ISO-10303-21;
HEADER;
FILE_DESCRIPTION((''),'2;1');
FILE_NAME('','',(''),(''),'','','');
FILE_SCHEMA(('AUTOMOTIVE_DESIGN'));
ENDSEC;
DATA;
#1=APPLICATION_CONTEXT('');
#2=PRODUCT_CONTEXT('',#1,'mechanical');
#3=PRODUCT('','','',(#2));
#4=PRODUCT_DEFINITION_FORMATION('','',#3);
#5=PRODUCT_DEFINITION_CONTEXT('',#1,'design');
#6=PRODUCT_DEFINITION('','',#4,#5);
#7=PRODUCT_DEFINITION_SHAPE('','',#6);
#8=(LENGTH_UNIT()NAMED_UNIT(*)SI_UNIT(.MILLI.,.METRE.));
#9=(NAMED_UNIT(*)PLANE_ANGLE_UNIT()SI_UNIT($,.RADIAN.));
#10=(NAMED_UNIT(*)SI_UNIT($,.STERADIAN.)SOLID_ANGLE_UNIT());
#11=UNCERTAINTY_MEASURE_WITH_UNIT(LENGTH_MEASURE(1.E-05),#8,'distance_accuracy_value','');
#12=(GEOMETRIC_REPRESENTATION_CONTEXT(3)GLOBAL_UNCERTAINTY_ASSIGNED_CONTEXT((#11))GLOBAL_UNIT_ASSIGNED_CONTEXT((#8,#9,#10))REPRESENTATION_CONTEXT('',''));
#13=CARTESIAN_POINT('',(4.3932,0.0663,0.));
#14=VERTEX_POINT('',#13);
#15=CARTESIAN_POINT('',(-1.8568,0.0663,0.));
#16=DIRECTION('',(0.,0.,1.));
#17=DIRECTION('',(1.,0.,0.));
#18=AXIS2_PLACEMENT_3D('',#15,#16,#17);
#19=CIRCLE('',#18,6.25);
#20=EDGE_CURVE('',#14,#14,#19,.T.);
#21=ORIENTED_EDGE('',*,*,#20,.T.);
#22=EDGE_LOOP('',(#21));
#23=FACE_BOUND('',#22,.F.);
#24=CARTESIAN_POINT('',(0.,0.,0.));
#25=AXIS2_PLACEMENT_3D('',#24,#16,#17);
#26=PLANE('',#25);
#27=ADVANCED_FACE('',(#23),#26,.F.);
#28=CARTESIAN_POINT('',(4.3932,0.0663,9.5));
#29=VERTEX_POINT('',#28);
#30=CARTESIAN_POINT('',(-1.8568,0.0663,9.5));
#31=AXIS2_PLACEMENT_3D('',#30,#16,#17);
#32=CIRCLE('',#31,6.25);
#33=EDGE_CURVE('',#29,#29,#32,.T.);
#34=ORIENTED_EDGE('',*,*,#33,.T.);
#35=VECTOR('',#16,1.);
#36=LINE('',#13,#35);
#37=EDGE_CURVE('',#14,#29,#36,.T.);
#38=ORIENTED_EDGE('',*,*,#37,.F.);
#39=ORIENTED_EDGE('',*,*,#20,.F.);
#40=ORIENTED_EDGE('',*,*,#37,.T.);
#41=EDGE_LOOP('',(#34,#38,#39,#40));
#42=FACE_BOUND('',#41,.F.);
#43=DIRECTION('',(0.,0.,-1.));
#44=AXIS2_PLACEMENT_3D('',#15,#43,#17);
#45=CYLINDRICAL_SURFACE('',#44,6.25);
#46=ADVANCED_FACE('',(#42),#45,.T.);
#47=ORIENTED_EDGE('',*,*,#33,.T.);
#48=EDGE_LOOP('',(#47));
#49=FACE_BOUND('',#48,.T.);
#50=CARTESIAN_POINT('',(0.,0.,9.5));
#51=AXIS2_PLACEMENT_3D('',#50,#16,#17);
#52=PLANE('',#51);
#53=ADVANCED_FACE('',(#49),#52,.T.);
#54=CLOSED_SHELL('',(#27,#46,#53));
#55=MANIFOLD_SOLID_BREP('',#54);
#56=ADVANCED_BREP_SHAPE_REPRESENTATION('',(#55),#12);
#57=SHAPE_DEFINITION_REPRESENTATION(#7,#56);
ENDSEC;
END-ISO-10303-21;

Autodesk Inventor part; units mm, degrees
ref_plane "YZ Plane" through (0, 0, 0) normal (1, 0, 0) x (0, 1, 0)
ref_plane "XZ Plane" through (0, 0, 0) normal (0, 1, 0) x (-1, 0, 0)
ref_plane "XY Plane" through (0, 0, 0) normal (0, 0, 1) x (1, 0, 0)
sketch "Sketch1" plane through (0, 0, 0) normal (0, 0, 1) x (1, 0, 0)
  circle A0 centre (-1.8568, 0.0663) radius 6.25
  dimension "d0" = 12.5
  dimension "d0" = 12.5
extrude "Extrusion1" add sketch "Sketch1" along normal blind 9.5
properties part number "WeldExer_upper_sleeve"
